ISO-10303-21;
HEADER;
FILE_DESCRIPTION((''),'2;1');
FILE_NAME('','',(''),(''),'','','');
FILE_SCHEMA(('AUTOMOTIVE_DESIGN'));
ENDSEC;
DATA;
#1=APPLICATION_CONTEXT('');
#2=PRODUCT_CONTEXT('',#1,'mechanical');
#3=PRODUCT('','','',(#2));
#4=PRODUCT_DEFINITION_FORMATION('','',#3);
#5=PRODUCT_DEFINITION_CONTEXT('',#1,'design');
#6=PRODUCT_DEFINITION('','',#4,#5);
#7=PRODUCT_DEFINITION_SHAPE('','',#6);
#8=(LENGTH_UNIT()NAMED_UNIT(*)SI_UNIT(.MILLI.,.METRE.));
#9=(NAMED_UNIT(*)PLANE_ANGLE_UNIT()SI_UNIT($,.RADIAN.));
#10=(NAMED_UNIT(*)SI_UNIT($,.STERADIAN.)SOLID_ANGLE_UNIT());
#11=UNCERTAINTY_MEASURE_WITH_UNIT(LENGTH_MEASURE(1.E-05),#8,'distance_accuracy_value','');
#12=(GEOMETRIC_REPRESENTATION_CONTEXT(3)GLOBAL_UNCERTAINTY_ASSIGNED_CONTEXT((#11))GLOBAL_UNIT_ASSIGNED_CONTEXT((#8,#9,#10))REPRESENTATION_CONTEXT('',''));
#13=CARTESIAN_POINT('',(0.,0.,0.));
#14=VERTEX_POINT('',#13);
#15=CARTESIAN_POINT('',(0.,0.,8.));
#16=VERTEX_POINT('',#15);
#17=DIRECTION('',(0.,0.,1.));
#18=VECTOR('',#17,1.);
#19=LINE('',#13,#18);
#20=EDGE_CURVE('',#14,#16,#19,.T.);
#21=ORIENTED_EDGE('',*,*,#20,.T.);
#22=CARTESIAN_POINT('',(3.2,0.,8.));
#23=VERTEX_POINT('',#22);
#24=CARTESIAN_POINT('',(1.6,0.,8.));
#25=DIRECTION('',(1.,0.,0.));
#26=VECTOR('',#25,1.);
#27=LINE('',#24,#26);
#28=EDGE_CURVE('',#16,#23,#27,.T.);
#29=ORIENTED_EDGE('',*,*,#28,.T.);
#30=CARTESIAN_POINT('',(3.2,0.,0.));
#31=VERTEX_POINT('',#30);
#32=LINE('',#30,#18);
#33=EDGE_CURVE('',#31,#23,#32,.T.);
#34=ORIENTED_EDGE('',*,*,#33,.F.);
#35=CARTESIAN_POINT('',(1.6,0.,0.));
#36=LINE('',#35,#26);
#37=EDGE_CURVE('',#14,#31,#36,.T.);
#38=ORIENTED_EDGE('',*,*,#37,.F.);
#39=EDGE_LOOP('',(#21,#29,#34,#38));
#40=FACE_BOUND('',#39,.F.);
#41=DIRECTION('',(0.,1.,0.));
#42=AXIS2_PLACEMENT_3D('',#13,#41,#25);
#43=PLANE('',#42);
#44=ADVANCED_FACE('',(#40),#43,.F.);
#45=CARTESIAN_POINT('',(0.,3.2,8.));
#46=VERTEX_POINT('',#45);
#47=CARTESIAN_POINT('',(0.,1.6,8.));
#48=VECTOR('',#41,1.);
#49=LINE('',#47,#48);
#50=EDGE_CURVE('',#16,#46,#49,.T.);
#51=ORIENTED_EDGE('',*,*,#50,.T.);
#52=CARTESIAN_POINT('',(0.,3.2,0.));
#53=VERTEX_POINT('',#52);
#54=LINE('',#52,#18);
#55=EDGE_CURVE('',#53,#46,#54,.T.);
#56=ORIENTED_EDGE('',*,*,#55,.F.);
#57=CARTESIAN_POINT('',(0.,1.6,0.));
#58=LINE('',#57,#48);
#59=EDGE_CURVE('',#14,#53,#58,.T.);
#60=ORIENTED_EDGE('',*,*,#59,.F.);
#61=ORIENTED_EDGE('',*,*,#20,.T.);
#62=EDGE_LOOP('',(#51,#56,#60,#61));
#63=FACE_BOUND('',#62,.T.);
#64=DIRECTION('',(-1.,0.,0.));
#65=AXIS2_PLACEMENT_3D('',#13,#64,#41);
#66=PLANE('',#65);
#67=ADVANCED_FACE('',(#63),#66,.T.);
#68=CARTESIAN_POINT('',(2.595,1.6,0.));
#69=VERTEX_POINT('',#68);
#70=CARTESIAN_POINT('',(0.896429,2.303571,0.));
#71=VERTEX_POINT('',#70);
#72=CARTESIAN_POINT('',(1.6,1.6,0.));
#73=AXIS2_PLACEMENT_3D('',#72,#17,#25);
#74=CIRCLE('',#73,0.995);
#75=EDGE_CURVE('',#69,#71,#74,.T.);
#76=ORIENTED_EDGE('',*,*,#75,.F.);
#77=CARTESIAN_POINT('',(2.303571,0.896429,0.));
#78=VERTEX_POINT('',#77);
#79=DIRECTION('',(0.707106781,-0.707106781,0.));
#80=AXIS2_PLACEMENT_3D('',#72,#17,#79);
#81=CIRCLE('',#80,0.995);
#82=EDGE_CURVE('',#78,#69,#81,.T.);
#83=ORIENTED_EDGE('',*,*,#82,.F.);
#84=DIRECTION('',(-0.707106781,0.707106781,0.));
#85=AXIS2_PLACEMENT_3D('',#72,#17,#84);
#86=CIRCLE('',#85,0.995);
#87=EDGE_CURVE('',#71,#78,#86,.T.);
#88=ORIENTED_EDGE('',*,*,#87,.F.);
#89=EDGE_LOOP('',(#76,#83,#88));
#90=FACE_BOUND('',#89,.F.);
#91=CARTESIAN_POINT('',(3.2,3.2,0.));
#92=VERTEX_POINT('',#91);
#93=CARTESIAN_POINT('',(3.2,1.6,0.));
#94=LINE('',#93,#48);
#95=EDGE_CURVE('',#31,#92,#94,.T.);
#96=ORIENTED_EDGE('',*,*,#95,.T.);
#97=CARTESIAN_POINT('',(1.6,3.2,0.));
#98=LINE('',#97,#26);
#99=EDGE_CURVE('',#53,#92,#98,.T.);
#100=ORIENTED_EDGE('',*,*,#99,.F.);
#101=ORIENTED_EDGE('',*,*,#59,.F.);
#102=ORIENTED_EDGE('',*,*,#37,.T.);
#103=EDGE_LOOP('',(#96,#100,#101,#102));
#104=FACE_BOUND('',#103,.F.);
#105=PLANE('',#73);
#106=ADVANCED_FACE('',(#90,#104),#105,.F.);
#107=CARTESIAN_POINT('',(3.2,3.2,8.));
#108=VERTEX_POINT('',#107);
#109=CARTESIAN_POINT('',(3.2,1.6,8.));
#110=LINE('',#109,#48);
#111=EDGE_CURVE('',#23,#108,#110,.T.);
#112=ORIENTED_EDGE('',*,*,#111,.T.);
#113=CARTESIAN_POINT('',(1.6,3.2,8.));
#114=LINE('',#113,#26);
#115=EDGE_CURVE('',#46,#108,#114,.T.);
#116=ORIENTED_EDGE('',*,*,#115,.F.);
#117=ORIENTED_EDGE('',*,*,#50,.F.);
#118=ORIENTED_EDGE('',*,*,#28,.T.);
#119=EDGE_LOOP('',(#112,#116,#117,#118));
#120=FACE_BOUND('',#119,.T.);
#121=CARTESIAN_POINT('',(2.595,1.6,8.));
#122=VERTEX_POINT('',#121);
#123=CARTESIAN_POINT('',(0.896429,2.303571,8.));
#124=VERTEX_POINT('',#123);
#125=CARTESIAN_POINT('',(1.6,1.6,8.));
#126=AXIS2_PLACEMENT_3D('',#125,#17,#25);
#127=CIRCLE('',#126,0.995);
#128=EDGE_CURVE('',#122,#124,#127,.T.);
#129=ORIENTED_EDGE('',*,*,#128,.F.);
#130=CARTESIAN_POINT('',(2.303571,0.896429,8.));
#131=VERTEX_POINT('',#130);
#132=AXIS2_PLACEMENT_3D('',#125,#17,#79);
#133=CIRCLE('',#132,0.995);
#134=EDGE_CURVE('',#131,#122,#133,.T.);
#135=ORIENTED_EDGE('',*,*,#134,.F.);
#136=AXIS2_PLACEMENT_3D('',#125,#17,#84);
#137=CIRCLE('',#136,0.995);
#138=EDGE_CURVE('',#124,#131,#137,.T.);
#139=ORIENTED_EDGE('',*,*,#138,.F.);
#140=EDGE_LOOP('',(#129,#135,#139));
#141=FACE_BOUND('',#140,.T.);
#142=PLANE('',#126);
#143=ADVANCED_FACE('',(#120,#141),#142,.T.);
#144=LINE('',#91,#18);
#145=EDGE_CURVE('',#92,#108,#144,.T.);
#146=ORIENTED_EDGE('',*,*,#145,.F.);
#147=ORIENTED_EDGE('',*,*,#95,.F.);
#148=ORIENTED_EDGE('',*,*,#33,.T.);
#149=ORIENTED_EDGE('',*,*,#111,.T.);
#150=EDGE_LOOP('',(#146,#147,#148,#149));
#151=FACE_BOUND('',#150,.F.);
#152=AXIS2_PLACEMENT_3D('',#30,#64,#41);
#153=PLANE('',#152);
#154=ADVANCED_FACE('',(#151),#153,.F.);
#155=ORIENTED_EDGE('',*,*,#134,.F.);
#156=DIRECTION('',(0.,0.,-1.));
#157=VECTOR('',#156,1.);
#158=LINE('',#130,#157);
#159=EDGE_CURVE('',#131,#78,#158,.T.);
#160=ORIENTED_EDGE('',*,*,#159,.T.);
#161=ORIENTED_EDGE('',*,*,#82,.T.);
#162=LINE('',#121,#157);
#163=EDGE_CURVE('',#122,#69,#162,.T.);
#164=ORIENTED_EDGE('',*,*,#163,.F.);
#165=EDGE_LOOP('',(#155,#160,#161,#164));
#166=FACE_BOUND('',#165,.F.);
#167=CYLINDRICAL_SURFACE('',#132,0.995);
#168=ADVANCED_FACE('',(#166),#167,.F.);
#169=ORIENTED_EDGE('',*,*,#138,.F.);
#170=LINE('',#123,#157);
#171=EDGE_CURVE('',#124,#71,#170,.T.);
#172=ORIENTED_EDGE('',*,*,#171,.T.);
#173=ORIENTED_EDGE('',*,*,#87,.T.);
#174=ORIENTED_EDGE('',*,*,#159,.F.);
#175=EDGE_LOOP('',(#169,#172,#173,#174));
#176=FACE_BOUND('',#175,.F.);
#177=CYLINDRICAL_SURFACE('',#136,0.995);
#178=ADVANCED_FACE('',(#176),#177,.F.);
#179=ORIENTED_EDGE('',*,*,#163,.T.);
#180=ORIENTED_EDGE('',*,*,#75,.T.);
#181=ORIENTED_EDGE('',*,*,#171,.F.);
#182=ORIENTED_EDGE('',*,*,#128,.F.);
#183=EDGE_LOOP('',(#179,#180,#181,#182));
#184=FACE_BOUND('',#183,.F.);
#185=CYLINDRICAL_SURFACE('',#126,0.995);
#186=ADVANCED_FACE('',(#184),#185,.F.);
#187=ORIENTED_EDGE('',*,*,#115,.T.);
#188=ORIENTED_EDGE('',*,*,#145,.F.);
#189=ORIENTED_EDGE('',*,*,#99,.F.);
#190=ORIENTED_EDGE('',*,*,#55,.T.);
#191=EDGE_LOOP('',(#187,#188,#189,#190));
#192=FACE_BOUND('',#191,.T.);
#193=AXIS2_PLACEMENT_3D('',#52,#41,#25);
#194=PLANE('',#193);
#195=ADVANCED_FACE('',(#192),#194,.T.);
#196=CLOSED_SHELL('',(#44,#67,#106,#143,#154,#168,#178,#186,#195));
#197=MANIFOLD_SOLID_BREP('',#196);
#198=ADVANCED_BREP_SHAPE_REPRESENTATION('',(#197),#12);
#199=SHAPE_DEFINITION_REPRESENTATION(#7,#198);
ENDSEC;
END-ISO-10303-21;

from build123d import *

# Parameters (mm, degrees)
F0_W     = 3.2
F0_H     = 3.2
F1_DEPTH = 8
F3_DEPTH = 25


with BuildPart() as f1:
    # F0 (on Top) → F1 (new body)
    with BuildSketch(Plane.XY):
        with Locations((1.6, 1.6)):
            Rectangle(F0_W, F0_H)
    extrude(amount=F1_DEPTH)

    # F2 (on face) → F3 (cut)
    with BuildSketch(Plane.XY.offset(8)):
        with BuildLine():
            Line((2.3035712473, 0.8964287527), (0.8964287527, 2.3035712473))
            ThreePointArc((0.8964287527, 2.3035712473), (0.8964287527, 0.8964287527), (2.3035712473, 0.8964287527))
        make_face()
        with BuildLine():
            ThreePointArc((2.595, 1.6), (1.9807700152, 2.5192601348), (0.8964287527, 2.3035712473))
            Line((0.8964287527, 2.3035712473), (2.3035712473, 0.8964287527))
            ThreePointArc((2.3035712473, 0.8964287527), (2.5192601348, 1.2192299848), (2.595, 1.6))
        make_face()
    extrude(amount=-F3_DEPTH, mode=Mode.SUBTRACT)


solid = f1.part
